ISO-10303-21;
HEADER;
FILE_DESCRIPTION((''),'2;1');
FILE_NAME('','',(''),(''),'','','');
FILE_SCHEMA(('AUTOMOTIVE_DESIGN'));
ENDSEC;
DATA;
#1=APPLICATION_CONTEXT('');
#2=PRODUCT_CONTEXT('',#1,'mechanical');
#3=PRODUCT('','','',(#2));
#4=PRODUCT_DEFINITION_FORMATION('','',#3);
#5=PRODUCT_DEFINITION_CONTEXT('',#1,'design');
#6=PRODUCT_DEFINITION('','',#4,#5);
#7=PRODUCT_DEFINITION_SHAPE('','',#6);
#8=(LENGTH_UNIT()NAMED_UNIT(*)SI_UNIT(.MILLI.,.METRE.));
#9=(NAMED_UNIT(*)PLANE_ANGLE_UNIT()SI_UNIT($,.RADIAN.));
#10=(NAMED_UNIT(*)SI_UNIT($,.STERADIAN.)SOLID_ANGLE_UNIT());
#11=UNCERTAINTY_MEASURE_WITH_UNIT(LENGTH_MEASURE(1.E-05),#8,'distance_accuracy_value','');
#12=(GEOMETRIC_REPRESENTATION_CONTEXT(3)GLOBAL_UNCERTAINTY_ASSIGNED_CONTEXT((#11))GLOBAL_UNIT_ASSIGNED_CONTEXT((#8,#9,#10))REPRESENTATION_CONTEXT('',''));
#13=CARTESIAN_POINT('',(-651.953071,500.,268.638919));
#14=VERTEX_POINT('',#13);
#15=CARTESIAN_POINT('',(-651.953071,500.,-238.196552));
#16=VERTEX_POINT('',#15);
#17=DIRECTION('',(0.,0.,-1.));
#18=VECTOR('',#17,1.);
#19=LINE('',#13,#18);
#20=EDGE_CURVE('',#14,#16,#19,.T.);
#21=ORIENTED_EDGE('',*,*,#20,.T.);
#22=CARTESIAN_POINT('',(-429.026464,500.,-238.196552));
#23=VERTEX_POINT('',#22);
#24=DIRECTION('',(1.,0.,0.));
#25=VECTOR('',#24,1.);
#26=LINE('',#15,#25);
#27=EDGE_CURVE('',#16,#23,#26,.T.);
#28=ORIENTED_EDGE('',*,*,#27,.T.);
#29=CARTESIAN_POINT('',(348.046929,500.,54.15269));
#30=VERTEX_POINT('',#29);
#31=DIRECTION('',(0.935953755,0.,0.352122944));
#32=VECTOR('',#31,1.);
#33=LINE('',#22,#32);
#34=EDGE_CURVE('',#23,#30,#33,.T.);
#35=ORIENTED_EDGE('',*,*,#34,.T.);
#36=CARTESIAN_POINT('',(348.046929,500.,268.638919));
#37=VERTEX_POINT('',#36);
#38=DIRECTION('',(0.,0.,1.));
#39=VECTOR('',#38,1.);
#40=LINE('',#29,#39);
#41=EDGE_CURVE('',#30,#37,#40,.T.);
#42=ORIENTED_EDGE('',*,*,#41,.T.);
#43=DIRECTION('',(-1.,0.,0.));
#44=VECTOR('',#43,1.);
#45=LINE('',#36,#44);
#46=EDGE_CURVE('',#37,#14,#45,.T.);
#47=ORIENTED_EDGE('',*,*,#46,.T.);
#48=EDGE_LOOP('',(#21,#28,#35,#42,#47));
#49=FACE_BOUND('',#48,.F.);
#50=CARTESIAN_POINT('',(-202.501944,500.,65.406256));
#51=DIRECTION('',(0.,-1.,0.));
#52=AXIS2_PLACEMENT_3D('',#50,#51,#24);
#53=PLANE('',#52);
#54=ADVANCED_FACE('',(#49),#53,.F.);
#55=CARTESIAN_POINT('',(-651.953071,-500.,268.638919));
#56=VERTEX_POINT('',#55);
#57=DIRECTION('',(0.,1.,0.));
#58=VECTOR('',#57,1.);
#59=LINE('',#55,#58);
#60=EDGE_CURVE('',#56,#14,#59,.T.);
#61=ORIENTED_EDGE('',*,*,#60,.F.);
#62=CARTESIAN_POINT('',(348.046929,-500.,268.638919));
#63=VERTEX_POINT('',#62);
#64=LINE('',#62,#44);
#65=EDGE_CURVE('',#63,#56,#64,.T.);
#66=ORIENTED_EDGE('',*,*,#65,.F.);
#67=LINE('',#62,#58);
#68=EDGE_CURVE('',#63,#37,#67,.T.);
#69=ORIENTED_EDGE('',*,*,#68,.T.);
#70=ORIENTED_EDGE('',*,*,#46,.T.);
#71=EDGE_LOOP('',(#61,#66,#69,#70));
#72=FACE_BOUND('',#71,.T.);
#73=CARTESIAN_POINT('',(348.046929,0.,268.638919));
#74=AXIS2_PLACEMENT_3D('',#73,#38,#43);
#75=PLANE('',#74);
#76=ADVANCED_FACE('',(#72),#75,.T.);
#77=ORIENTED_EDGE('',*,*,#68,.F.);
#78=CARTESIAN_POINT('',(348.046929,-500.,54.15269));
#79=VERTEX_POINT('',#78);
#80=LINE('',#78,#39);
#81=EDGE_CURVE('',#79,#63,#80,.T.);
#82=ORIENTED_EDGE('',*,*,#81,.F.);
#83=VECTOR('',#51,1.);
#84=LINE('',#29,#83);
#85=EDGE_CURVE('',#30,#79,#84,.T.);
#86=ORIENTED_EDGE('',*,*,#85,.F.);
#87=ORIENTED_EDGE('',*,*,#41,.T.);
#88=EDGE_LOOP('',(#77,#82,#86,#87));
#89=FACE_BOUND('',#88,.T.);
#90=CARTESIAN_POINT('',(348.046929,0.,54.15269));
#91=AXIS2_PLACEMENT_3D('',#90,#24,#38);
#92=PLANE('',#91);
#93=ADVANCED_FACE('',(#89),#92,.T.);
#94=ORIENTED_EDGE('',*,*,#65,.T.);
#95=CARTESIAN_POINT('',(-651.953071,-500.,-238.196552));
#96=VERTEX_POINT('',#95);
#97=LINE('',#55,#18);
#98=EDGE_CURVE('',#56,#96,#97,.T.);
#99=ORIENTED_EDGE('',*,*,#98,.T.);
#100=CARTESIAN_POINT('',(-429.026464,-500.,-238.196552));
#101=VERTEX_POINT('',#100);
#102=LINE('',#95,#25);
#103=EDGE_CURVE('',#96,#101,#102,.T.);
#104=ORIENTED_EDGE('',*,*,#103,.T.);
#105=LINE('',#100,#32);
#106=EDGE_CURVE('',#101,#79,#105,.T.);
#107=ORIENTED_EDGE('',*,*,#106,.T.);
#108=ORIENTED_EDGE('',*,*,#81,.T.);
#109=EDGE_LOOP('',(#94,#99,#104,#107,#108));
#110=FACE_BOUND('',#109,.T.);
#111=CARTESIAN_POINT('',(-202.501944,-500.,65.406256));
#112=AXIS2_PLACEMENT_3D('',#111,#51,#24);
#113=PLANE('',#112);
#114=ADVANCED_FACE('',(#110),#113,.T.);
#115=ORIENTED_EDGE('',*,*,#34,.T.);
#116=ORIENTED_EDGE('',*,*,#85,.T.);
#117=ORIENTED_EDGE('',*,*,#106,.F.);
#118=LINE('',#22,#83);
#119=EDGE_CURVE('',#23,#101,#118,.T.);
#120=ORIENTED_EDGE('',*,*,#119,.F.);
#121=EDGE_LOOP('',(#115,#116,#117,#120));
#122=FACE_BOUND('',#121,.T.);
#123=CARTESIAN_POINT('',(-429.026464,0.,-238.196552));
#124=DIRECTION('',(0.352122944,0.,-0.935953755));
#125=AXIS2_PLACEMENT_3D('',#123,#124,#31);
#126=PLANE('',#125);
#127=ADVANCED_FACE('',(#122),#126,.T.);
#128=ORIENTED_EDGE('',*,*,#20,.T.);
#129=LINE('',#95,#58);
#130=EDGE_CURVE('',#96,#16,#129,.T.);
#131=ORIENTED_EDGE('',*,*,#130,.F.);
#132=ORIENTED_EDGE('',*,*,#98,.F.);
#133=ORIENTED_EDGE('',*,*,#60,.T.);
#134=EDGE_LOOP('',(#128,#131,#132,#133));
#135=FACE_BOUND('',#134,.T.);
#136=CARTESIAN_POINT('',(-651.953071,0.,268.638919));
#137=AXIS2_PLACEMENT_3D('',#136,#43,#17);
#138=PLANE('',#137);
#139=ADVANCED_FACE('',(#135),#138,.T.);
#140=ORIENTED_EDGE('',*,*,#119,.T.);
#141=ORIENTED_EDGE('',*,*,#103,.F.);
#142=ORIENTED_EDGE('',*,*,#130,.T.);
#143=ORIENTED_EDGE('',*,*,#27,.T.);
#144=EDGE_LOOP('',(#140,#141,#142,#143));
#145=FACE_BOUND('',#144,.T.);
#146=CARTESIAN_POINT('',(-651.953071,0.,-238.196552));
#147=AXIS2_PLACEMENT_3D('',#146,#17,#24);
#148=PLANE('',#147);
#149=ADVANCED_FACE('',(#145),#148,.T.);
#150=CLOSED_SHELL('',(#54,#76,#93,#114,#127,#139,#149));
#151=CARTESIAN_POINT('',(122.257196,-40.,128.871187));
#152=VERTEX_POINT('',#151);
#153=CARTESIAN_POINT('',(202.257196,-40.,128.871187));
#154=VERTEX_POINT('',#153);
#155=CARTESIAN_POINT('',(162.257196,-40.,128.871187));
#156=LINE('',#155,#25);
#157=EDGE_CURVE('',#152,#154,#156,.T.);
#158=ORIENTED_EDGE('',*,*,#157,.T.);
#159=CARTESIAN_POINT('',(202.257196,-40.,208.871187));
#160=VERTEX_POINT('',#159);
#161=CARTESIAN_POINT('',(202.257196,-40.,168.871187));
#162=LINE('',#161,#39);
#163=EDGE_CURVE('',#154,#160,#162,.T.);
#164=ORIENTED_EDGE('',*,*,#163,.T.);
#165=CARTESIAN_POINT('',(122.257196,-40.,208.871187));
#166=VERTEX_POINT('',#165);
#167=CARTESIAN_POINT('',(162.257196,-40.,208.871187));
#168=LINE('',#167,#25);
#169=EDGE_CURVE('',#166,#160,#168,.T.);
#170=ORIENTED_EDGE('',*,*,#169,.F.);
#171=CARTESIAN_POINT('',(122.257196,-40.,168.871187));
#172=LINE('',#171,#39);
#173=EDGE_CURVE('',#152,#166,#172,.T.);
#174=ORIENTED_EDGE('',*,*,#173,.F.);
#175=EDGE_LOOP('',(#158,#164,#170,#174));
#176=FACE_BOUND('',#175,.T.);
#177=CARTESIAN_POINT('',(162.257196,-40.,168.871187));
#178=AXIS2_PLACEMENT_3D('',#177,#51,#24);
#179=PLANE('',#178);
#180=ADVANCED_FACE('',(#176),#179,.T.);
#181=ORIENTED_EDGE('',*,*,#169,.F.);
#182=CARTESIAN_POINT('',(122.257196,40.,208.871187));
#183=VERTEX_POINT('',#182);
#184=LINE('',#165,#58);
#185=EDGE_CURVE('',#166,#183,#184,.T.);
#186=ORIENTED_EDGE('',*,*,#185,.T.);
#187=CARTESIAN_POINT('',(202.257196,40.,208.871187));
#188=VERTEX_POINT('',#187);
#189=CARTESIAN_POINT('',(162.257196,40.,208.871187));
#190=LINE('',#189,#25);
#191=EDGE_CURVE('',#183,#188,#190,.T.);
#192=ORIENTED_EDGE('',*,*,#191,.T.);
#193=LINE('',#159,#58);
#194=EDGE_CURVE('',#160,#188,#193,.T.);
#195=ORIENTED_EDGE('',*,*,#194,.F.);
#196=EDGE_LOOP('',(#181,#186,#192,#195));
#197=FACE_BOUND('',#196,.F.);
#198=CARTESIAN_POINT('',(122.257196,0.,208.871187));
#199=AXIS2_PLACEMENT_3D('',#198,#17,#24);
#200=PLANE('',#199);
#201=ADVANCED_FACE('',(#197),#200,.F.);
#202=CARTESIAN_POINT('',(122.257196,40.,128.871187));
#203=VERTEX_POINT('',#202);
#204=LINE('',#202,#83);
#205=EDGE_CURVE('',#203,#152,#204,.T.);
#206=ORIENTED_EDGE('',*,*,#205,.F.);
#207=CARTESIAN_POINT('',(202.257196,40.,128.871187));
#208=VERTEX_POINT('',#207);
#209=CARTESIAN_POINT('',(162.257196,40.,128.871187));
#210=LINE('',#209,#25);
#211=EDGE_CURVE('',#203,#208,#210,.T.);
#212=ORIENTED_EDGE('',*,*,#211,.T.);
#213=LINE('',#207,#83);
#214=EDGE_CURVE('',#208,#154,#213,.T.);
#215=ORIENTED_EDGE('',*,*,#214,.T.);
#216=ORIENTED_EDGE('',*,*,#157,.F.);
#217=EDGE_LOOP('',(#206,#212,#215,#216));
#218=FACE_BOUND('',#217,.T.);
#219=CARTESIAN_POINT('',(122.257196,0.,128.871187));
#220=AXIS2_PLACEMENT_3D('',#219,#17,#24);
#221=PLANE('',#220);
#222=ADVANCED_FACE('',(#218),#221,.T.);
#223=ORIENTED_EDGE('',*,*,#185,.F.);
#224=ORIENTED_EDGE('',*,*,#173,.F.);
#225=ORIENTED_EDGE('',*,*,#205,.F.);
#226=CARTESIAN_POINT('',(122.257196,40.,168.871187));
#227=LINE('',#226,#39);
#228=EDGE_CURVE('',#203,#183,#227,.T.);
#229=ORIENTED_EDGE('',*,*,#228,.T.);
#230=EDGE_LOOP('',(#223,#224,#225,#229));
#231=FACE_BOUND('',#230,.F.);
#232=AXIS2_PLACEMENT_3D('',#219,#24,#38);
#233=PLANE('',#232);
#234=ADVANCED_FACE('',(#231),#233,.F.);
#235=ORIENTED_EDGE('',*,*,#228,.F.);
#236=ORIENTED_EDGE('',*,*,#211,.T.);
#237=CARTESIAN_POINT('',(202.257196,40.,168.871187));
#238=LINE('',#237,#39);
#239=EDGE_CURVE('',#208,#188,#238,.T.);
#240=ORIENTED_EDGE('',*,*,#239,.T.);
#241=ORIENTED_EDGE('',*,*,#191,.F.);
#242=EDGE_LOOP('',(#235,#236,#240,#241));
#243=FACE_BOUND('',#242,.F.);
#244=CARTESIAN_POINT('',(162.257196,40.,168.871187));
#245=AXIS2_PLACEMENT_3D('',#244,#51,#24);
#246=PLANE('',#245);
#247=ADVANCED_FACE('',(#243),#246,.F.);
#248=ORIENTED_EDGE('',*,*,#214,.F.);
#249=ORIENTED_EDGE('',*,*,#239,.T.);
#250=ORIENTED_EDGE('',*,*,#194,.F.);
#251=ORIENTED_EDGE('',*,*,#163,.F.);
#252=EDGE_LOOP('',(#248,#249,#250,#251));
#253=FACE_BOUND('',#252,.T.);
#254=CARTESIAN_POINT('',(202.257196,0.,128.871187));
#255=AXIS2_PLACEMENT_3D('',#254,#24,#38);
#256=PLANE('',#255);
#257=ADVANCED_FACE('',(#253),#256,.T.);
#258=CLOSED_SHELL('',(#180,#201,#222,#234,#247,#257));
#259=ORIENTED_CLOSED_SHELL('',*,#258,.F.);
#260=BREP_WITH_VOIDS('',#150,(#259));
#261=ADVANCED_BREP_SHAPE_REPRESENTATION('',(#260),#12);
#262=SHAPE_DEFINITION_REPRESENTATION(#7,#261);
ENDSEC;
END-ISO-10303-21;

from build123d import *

# Parameters (mm, degrees)
F1_DEPTH = 500
F2_W     = 80
F2_H     = 80
F3_DEPTH = 40


with BuildPart() as f1:
    # F0 (on Front) → F1 (new body, symmetric)
    with BuildSketch(Plane.XZ):
        Polygon((-651.953071, -238.196552), (-529.637516, -238.196552), (-429.026464, -238.196552), (348.046929, 54.15269), (348.046929, 268.638919), (-651.953071, 268.638919), align=None)
    extrude(amount=F1_DEPTH, both=True)

    # F2 (on Front) → F3 (cut, symmetric)
    with BuildSketch(Plane.XZ):
        with Locations((162.257196, 168.871187)):
            Rectangle(F2_W, F2_H)
    extrude(amount=F3_DEPTH, both=True, mode=Mode.SUBTRACT)


solid = f1.part
